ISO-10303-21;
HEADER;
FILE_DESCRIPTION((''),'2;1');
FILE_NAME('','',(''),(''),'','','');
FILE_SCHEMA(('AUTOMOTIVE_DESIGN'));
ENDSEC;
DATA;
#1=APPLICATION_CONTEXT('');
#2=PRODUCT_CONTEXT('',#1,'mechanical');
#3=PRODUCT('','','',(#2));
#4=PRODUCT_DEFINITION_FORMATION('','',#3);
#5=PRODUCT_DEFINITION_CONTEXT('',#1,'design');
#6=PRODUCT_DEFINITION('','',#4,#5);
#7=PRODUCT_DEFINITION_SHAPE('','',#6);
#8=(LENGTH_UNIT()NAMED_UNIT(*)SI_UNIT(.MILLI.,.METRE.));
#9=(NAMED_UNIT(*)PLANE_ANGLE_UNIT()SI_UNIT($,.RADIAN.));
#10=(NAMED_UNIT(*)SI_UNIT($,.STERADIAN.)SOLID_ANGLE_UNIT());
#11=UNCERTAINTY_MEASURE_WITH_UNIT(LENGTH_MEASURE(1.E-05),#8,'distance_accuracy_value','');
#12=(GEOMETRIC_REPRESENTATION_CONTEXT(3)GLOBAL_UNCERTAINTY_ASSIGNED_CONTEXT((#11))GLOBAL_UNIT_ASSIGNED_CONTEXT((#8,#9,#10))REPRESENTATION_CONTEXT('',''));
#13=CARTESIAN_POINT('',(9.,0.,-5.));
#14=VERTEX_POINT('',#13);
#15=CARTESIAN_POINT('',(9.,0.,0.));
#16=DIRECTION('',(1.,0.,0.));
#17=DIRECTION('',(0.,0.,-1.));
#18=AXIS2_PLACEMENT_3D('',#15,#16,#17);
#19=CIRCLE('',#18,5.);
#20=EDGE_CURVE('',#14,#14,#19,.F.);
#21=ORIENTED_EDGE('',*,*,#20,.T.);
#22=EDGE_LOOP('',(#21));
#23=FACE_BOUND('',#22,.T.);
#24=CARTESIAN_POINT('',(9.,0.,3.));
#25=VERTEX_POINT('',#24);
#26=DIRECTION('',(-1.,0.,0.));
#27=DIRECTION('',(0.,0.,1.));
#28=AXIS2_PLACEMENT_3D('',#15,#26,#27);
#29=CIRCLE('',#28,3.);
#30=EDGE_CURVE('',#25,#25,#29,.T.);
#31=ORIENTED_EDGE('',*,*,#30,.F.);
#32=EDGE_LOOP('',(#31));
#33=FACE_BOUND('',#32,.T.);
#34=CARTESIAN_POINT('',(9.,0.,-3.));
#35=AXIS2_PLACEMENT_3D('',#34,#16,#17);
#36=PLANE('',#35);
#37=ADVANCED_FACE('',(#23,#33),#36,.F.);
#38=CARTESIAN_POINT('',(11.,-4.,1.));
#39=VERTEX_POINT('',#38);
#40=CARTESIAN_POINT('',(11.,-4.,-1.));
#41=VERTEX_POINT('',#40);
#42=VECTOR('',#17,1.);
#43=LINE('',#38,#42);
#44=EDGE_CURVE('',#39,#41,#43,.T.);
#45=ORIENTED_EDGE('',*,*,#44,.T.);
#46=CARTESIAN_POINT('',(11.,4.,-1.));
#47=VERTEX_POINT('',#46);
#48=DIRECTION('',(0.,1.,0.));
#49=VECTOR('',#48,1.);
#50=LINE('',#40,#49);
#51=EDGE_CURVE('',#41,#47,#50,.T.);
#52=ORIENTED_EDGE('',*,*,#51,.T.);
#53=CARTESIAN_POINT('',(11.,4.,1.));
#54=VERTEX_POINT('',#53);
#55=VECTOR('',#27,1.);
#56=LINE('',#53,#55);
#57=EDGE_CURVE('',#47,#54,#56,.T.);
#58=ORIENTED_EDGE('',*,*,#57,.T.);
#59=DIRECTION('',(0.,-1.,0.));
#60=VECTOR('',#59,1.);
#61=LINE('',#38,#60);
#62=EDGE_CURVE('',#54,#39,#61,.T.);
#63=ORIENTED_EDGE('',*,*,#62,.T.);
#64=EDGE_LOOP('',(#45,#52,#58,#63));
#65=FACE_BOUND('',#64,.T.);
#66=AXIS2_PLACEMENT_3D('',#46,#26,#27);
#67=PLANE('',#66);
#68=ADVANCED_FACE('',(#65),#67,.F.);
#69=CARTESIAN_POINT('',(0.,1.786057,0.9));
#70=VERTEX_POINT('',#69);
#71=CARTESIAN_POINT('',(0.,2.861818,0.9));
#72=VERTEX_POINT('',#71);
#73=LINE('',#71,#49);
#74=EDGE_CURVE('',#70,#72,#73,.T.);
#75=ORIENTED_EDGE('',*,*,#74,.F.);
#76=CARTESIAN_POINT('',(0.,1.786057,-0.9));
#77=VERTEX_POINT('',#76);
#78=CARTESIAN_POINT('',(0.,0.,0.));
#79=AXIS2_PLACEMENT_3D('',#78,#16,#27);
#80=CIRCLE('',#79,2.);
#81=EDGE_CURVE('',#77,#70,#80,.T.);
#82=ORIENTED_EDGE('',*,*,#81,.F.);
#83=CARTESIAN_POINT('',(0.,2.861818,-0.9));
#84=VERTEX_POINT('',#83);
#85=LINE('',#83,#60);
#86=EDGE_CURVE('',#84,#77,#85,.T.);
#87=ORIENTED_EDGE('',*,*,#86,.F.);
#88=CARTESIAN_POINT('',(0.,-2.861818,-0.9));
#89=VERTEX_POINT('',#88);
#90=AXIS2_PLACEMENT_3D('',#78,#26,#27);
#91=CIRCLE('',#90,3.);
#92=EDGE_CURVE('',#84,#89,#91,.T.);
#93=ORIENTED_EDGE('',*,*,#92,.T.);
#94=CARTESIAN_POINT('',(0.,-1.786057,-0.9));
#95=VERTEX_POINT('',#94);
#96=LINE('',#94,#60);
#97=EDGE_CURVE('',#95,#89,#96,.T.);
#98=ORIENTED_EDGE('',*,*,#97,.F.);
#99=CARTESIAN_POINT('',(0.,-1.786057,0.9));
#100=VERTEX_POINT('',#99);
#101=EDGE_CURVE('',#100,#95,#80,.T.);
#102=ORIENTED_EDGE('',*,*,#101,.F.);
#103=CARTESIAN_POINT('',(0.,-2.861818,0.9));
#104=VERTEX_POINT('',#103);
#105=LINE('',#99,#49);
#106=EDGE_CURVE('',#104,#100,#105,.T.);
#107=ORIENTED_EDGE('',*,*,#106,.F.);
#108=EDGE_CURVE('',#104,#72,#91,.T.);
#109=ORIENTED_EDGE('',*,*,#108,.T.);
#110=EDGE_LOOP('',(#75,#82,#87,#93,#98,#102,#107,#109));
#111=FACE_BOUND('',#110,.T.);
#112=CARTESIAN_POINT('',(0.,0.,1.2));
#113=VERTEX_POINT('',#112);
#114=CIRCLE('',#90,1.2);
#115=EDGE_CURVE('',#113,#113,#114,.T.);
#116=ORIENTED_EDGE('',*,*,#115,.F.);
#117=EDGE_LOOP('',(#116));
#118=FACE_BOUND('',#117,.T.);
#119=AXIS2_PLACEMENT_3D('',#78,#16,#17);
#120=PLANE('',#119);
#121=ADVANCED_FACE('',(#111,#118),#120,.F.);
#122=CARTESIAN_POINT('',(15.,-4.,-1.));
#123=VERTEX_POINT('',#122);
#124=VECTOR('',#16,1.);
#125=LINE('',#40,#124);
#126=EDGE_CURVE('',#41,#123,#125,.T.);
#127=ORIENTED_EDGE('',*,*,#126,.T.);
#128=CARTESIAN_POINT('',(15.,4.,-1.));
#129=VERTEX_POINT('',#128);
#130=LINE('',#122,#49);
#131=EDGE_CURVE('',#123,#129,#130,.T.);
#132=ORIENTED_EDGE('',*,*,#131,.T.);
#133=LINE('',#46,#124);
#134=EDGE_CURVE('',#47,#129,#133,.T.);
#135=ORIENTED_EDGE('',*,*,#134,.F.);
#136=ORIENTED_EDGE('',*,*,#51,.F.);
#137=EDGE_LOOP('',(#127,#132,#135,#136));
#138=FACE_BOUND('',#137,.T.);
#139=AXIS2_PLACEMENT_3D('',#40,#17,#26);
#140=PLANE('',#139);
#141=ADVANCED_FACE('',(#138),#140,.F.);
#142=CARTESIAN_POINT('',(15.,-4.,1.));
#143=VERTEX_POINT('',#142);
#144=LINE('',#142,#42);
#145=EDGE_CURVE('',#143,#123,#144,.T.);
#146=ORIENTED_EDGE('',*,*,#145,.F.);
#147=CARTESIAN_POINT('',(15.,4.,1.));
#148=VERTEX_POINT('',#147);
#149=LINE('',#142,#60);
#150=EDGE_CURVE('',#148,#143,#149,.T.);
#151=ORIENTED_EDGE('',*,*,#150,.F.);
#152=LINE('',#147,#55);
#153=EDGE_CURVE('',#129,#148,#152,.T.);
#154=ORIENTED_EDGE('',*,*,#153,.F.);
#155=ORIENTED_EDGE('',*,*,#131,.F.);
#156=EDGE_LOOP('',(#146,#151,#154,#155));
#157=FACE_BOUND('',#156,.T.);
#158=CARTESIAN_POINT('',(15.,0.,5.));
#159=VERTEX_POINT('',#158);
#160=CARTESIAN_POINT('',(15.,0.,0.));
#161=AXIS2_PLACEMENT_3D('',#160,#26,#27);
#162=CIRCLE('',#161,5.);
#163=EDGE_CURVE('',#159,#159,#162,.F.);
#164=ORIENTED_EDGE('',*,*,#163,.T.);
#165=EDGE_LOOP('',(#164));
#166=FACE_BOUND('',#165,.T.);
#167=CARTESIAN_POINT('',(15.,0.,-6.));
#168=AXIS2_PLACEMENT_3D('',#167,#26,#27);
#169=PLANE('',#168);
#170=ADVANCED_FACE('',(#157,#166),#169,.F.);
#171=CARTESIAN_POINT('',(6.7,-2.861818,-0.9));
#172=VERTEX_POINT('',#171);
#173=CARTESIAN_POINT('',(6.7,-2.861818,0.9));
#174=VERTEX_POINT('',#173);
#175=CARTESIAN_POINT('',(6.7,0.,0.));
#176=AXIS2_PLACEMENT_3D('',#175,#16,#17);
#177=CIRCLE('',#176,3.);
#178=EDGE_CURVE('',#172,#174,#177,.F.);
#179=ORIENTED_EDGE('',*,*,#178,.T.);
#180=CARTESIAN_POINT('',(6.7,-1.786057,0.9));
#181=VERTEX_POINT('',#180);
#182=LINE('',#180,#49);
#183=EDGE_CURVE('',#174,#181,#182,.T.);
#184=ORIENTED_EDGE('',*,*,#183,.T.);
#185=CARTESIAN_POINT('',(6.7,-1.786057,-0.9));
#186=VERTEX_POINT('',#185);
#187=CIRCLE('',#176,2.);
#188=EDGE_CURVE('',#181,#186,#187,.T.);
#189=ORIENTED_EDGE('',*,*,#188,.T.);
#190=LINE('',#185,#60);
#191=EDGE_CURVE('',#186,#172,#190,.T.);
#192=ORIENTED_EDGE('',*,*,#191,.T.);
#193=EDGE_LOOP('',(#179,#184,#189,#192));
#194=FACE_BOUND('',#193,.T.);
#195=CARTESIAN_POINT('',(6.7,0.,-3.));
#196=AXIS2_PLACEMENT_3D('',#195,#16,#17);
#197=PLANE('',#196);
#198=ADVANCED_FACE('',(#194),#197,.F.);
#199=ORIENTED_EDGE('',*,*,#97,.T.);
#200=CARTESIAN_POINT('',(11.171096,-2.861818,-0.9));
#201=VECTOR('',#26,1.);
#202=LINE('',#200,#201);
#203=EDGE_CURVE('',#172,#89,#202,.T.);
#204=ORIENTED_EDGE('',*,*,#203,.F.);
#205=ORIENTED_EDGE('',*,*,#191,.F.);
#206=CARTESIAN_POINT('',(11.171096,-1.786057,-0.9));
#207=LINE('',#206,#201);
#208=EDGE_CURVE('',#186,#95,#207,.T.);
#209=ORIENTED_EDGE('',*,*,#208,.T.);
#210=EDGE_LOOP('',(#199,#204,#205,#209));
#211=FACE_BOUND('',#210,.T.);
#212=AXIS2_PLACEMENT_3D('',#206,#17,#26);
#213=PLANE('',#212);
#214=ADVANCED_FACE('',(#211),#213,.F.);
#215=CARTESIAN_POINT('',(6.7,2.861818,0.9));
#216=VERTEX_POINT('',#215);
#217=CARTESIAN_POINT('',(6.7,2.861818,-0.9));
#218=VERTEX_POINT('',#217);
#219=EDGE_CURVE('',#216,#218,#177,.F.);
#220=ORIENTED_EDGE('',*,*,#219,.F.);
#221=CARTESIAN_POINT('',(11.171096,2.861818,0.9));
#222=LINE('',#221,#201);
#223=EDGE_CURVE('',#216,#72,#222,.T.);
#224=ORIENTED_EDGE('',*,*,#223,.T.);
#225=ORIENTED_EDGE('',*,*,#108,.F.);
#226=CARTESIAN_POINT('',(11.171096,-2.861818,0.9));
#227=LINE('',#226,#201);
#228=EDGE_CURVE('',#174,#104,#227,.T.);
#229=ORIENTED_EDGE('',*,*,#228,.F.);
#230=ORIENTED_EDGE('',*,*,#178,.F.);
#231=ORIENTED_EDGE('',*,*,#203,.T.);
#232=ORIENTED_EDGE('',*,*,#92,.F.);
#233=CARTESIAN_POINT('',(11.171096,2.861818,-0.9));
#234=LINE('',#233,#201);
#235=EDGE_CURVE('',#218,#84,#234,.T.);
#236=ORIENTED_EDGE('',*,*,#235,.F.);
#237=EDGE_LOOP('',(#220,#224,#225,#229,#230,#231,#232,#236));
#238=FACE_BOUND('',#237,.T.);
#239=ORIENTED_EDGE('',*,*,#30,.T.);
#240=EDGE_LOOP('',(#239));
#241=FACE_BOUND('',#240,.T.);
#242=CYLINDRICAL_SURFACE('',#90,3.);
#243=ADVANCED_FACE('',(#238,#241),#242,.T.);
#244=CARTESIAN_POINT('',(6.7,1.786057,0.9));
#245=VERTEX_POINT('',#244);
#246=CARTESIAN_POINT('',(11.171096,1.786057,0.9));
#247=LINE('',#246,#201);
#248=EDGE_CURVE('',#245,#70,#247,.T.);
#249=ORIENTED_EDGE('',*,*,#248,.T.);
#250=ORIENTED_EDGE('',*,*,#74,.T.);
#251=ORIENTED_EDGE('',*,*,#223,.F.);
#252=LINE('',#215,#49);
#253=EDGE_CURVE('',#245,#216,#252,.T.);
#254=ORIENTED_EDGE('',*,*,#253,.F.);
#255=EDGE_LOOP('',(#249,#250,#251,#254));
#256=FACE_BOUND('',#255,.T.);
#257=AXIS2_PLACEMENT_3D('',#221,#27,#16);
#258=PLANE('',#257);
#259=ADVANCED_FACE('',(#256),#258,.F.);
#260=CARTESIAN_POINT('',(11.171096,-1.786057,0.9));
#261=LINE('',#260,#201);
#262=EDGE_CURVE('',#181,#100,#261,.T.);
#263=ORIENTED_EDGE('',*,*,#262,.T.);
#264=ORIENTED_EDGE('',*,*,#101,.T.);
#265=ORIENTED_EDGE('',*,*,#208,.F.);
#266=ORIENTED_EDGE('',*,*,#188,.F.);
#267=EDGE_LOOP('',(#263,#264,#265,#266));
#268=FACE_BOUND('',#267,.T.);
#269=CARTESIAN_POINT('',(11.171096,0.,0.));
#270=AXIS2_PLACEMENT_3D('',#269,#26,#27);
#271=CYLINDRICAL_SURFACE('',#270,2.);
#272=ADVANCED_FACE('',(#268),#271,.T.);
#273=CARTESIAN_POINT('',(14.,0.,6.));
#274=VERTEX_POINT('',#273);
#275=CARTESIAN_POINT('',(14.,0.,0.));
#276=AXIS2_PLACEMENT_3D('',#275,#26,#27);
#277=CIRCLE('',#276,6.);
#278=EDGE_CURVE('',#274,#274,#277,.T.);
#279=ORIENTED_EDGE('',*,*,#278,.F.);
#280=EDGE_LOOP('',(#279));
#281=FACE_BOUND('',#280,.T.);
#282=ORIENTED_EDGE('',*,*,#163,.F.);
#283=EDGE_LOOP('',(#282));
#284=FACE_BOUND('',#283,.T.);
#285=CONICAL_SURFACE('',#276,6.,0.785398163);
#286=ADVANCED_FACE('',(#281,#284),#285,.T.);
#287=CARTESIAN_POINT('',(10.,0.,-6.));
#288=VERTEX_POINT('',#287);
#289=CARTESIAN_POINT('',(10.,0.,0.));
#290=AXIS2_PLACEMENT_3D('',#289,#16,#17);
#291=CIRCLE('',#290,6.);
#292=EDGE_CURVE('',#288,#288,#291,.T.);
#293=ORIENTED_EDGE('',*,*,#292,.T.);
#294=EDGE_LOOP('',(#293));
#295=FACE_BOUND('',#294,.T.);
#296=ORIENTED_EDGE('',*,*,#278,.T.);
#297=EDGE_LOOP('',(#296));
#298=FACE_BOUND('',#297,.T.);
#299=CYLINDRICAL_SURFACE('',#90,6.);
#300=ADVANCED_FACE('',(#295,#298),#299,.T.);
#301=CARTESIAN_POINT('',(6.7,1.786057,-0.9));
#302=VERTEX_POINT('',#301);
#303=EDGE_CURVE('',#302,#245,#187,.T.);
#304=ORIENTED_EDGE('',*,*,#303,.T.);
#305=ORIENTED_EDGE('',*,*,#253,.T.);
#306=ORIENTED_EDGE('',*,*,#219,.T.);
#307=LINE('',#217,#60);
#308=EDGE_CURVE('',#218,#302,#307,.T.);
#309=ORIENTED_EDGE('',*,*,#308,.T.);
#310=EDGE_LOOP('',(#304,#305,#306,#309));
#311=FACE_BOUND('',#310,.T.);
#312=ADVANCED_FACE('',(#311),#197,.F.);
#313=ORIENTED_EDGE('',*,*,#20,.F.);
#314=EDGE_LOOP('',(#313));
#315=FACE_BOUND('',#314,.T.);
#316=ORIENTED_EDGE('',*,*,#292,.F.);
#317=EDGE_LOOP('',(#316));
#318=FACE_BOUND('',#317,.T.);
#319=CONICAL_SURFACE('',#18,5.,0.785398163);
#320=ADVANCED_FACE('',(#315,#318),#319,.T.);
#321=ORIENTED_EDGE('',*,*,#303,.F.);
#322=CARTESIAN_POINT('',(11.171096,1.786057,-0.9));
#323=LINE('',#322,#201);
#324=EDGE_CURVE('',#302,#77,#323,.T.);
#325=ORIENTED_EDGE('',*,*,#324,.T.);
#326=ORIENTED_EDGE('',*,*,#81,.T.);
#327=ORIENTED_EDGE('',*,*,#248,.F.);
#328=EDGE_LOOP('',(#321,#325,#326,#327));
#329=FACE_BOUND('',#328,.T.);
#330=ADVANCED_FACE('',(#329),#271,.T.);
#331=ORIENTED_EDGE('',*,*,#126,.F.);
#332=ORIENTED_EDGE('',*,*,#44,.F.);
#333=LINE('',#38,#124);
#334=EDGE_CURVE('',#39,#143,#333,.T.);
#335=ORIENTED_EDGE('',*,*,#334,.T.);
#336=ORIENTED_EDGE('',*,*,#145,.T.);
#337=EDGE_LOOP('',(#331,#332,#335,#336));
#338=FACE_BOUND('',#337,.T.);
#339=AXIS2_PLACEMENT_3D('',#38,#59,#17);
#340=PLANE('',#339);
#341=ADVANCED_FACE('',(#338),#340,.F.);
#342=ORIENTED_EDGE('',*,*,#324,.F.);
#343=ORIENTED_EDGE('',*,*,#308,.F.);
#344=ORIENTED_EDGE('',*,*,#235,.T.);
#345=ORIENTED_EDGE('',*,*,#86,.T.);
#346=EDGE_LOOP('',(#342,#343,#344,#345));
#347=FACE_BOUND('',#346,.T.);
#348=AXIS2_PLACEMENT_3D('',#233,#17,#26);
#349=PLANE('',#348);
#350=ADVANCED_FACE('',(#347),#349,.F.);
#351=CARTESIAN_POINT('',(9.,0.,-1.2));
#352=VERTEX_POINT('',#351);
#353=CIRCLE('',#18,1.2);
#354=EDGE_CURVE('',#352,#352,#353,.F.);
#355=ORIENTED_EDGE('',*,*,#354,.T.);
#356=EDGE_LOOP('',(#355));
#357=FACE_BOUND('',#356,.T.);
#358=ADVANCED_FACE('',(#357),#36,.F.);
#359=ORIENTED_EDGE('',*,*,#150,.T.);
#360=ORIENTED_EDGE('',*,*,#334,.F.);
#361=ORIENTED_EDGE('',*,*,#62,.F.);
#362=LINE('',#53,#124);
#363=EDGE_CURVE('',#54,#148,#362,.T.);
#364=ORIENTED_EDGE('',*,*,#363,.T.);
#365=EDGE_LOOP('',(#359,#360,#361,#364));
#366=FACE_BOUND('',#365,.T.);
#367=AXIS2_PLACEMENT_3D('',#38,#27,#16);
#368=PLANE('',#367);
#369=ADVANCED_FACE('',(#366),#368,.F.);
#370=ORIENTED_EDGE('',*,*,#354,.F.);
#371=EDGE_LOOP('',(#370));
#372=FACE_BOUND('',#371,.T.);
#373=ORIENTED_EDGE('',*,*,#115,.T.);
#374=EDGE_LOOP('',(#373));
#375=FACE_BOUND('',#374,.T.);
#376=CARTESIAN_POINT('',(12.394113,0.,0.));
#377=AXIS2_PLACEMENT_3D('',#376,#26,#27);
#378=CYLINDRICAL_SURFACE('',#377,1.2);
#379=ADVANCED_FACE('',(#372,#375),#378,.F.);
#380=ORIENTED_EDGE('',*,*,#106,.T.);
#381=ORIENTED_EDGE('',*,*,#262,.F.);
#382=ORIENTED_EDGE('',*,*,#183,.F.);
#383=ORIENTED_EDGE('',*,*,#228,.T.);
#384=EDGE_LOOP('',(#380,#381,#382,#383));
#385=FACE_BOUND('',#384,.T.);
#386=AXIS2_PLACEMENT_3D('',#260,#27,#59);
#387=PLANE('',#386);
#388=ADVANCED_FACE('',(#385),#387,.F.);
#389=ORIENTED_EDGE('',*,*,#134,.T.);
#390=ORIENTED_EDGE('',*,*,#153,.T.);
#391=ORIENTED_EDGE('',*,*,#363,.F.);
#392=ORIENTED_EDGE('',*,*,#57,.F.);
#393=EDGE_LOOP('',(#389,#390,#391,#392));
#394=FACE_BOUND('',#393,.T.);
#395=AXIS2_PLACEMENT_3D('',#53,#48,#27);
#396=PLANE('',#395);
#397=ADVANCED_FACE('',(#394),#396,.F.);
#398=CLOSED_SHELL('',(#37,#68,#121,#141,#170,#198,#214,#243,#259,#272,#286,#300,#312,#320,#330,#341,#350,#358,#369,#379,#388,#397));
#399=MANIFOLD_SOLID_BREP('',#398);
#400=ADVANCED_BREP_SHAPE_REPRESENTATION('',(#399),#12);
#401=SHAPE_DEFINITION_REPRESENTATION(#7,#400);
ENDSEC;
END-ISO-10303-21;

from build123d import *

# Parameters (mm, degrees)
SKETCH3_R          = 1.2
CUT_EXTRUDE1_DEPTH = 9
SKETCH4_W          = 2
SKETCH4_H          = 8
CUT_EXTRUDE2_DEPTH = 4
CHAMFER1_SIZE      = 1
CUT_EXTRUDE3_START = -6.7
CUT_EXTRUDE3_DEPTH = 6.7


with BuildPart() as part:
    # Sketch2 → Revolve1 (revolve)
    with BuildSketch(Plane(origin=(0, 0, 0), x_dir=(1, 0, 0), z_dir=(0, 1, 0)), mode=Mode.PRIVATE) as revolve1_sk:
        Polygon((0, 0), (0, 3), (9, 3), (9, 6), (15, 6), (15, 0), align=None)
    revolve(revolve1_sk.sketch.rotate(Axis((0, 0, 0), (1, 0, 0)), 180), axis=Axis((0, 0, 0), (1, 0, 0)))

    # Sketch3 → Cut-Extrude1 (cut)
    with BuildSketch(Plane.ZY):
        Circle(SKETCH3_R)
    extrude(amount=-CUT_EXTRUDE1_DEPTH, mode=Mode.SUBTRACT)

    # Sketch4 → Cut-Extrude2 (cut)
    with BuildSketch(Plane(origin=(15, 0, 0), x_dir=(0, 0, -1), z_dir=(1, 0, 0))):
        Rectangle(SKETCH4_W, SKETCH4_H)
    extrude(amount=-CUT_EXTRUDE2_DEPTH, mode=Mode.SUBTRACT)

    # Chamfer1
    chamfer1_edges = [part.edges().sort_by_distance(p)[0] for p in [
        (15, 0, -6),
        (9, 0, -6),
    ]]
    chamfer(chamfer1_edges, length=CHAMFER1_SIZE)

    # Sketch5 → Cut-Extrude3 (cut)
    with BuildSketch(Plane.ZY.offset(CUT_EXTRUDE3_START)):
        with BuildLine():
            Line((-0.9, 2.861817604), (-0.9, 1.78605711))
            ThreePointArc((-0.9, 1.78605711), (0, 2), (0.9, 1.78605711))
            Line((0.9, 1.78605711), (0.9, 2.861817604))
            ThreePointArc((0.9, 2.861817604), (0, 3), (-0.9, 2.861817604))
        make_face()
        with BuildLine():
            Line((-0.9, -1.78605711), (-0.9, -2.861817604))
            ThreePointArc((-0.9, -2.861817604), (0, -3), (0.9, -2.861817604))
            Line((0.9, -2.861817604), (0.9, -1.78605711))
            ThreePointArc((0.9, -1.78605711), (0, -2), (-0.9, -1.78605711))
        make_face()
    extrude(amount=CUT_EXTRUDE3_DEPTH, mode=Mode.SUBTRACT)


solid = part.part
